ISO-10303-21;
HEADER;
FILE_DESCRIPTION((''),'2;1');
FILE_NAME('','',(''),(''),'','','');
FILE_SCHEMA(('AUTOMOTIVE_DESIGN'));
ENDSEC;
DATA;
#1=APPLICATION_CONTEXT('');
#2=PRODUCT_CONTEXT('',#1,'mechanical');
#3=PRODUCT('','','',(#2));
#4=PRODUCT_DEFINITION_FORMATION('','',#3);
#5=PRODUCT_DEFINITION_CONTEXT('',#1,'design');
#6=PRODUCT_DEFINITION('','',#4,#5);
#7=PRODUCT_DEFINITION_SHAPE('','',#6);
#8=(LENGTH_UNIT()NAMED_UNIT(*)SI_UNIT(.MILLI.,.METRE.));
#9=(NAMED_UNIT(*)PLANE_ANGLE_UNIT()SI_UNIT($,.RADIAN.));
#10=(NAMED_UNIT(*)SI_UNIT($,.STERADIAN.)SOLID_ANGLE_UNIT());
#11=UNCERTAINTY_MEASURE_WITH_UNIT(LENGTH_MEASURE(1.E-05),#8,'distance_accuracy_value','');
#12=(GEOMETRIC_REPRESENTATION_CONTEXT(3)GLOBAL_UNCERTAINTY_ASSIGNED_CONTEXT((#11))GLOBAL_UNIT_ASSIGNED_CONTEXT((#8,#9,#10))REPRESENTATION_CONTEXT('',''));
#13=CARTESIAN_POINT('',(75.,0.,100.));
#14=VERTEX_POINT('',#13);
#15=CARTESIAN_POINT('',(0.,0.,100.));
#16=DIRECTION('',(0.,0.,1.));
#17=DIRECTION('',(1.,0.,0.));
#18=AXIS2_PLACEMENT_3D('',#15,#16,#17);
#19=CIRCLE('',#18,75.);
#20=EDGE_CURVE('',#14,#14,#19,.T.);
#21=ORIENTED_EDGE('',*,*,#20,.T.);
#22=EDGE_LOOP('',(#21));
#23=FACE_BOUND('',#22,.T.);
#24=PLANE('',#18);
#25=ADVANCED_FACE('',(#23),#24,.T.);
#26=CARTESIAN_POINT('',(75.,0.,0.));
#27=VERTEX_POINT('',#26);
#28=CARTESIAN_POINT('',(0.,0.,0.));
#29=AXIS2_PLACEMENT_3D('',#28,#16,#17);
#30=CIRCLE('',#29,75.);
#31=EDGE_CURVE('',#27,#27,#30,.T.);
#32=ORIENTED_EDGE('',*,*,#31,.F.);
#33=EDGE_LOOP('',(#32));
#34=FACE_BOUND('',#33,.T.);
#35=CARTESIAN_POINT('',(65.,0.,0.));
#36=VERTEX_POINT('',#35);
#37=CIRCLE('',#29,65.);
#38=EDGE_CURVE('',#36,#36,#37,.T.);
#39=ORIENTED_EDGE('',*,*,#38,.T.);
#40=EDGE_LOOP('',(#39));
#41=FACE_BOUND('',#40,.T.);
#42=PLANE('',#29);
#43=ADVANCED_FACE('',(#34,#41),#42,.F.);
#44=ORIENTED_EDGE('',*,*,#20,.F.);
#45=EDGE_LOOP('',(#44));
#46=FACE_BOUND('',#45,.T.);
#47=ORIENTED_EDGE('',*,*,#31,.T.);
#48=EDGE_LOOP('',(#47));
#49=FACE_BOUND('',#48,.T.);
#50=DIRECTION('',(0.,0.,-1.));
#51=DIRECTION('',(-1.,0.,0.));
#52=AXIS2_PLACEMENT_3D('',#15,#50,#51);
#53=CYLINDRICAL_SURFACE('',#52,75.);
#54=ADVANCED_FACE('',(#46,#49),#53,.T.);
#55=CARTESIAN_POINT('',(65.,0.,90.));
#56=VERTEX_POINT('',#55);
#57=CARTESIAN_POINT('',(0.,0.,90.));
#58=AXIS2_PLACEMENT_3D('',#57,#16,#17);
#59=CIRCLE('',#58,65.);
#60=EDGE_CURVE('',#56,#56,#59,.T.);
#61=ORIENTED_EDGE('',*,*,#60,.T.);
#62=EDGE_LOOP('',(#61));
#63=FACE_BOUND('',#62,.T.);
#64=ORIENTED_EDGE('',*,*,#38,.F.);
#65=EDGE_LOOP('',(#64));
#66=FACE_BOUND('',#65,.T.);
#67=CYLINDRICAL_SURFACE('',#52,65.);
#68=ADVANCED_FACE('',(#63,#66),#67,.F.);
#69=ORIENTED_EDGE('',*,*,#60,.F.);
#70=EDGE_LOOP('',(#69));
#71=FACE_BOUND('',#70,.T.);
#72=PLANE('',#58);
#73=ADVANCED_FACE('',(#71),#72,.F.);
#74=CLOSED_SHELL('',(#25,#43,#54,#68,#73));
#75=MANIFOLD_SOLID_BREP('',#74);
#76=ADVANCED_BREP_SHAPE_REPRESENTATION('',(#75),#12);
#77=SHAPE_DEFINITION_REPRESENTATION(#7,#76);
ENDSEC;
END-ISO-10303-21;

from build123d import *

# Parameters (mm, degrees)
CROQUIS1_R              = 75
SALIENTE_EXTRUIR1_DEPTH = 100
VACIADO1_T              = -10


with BuildPart() as part:
    # Croquis1 → Saliente-Extruir1 (new body)
    with BuildSketch(Plane.XY):
        Circle(CROQUIS1_R)
    extrude(amount=SALIENTE_EXTRUIR1_DEPTH)

    # Vaciado1
    vaciado1_openings = [part.faces().sort_by_distance(p)[0] for p in [
        (0, 0, 0),
    ]]
    offset(amount=VACIADO1_T, openings=vaciado1_openings, kind=Kind.INTERSECTION)


solid = part.part
